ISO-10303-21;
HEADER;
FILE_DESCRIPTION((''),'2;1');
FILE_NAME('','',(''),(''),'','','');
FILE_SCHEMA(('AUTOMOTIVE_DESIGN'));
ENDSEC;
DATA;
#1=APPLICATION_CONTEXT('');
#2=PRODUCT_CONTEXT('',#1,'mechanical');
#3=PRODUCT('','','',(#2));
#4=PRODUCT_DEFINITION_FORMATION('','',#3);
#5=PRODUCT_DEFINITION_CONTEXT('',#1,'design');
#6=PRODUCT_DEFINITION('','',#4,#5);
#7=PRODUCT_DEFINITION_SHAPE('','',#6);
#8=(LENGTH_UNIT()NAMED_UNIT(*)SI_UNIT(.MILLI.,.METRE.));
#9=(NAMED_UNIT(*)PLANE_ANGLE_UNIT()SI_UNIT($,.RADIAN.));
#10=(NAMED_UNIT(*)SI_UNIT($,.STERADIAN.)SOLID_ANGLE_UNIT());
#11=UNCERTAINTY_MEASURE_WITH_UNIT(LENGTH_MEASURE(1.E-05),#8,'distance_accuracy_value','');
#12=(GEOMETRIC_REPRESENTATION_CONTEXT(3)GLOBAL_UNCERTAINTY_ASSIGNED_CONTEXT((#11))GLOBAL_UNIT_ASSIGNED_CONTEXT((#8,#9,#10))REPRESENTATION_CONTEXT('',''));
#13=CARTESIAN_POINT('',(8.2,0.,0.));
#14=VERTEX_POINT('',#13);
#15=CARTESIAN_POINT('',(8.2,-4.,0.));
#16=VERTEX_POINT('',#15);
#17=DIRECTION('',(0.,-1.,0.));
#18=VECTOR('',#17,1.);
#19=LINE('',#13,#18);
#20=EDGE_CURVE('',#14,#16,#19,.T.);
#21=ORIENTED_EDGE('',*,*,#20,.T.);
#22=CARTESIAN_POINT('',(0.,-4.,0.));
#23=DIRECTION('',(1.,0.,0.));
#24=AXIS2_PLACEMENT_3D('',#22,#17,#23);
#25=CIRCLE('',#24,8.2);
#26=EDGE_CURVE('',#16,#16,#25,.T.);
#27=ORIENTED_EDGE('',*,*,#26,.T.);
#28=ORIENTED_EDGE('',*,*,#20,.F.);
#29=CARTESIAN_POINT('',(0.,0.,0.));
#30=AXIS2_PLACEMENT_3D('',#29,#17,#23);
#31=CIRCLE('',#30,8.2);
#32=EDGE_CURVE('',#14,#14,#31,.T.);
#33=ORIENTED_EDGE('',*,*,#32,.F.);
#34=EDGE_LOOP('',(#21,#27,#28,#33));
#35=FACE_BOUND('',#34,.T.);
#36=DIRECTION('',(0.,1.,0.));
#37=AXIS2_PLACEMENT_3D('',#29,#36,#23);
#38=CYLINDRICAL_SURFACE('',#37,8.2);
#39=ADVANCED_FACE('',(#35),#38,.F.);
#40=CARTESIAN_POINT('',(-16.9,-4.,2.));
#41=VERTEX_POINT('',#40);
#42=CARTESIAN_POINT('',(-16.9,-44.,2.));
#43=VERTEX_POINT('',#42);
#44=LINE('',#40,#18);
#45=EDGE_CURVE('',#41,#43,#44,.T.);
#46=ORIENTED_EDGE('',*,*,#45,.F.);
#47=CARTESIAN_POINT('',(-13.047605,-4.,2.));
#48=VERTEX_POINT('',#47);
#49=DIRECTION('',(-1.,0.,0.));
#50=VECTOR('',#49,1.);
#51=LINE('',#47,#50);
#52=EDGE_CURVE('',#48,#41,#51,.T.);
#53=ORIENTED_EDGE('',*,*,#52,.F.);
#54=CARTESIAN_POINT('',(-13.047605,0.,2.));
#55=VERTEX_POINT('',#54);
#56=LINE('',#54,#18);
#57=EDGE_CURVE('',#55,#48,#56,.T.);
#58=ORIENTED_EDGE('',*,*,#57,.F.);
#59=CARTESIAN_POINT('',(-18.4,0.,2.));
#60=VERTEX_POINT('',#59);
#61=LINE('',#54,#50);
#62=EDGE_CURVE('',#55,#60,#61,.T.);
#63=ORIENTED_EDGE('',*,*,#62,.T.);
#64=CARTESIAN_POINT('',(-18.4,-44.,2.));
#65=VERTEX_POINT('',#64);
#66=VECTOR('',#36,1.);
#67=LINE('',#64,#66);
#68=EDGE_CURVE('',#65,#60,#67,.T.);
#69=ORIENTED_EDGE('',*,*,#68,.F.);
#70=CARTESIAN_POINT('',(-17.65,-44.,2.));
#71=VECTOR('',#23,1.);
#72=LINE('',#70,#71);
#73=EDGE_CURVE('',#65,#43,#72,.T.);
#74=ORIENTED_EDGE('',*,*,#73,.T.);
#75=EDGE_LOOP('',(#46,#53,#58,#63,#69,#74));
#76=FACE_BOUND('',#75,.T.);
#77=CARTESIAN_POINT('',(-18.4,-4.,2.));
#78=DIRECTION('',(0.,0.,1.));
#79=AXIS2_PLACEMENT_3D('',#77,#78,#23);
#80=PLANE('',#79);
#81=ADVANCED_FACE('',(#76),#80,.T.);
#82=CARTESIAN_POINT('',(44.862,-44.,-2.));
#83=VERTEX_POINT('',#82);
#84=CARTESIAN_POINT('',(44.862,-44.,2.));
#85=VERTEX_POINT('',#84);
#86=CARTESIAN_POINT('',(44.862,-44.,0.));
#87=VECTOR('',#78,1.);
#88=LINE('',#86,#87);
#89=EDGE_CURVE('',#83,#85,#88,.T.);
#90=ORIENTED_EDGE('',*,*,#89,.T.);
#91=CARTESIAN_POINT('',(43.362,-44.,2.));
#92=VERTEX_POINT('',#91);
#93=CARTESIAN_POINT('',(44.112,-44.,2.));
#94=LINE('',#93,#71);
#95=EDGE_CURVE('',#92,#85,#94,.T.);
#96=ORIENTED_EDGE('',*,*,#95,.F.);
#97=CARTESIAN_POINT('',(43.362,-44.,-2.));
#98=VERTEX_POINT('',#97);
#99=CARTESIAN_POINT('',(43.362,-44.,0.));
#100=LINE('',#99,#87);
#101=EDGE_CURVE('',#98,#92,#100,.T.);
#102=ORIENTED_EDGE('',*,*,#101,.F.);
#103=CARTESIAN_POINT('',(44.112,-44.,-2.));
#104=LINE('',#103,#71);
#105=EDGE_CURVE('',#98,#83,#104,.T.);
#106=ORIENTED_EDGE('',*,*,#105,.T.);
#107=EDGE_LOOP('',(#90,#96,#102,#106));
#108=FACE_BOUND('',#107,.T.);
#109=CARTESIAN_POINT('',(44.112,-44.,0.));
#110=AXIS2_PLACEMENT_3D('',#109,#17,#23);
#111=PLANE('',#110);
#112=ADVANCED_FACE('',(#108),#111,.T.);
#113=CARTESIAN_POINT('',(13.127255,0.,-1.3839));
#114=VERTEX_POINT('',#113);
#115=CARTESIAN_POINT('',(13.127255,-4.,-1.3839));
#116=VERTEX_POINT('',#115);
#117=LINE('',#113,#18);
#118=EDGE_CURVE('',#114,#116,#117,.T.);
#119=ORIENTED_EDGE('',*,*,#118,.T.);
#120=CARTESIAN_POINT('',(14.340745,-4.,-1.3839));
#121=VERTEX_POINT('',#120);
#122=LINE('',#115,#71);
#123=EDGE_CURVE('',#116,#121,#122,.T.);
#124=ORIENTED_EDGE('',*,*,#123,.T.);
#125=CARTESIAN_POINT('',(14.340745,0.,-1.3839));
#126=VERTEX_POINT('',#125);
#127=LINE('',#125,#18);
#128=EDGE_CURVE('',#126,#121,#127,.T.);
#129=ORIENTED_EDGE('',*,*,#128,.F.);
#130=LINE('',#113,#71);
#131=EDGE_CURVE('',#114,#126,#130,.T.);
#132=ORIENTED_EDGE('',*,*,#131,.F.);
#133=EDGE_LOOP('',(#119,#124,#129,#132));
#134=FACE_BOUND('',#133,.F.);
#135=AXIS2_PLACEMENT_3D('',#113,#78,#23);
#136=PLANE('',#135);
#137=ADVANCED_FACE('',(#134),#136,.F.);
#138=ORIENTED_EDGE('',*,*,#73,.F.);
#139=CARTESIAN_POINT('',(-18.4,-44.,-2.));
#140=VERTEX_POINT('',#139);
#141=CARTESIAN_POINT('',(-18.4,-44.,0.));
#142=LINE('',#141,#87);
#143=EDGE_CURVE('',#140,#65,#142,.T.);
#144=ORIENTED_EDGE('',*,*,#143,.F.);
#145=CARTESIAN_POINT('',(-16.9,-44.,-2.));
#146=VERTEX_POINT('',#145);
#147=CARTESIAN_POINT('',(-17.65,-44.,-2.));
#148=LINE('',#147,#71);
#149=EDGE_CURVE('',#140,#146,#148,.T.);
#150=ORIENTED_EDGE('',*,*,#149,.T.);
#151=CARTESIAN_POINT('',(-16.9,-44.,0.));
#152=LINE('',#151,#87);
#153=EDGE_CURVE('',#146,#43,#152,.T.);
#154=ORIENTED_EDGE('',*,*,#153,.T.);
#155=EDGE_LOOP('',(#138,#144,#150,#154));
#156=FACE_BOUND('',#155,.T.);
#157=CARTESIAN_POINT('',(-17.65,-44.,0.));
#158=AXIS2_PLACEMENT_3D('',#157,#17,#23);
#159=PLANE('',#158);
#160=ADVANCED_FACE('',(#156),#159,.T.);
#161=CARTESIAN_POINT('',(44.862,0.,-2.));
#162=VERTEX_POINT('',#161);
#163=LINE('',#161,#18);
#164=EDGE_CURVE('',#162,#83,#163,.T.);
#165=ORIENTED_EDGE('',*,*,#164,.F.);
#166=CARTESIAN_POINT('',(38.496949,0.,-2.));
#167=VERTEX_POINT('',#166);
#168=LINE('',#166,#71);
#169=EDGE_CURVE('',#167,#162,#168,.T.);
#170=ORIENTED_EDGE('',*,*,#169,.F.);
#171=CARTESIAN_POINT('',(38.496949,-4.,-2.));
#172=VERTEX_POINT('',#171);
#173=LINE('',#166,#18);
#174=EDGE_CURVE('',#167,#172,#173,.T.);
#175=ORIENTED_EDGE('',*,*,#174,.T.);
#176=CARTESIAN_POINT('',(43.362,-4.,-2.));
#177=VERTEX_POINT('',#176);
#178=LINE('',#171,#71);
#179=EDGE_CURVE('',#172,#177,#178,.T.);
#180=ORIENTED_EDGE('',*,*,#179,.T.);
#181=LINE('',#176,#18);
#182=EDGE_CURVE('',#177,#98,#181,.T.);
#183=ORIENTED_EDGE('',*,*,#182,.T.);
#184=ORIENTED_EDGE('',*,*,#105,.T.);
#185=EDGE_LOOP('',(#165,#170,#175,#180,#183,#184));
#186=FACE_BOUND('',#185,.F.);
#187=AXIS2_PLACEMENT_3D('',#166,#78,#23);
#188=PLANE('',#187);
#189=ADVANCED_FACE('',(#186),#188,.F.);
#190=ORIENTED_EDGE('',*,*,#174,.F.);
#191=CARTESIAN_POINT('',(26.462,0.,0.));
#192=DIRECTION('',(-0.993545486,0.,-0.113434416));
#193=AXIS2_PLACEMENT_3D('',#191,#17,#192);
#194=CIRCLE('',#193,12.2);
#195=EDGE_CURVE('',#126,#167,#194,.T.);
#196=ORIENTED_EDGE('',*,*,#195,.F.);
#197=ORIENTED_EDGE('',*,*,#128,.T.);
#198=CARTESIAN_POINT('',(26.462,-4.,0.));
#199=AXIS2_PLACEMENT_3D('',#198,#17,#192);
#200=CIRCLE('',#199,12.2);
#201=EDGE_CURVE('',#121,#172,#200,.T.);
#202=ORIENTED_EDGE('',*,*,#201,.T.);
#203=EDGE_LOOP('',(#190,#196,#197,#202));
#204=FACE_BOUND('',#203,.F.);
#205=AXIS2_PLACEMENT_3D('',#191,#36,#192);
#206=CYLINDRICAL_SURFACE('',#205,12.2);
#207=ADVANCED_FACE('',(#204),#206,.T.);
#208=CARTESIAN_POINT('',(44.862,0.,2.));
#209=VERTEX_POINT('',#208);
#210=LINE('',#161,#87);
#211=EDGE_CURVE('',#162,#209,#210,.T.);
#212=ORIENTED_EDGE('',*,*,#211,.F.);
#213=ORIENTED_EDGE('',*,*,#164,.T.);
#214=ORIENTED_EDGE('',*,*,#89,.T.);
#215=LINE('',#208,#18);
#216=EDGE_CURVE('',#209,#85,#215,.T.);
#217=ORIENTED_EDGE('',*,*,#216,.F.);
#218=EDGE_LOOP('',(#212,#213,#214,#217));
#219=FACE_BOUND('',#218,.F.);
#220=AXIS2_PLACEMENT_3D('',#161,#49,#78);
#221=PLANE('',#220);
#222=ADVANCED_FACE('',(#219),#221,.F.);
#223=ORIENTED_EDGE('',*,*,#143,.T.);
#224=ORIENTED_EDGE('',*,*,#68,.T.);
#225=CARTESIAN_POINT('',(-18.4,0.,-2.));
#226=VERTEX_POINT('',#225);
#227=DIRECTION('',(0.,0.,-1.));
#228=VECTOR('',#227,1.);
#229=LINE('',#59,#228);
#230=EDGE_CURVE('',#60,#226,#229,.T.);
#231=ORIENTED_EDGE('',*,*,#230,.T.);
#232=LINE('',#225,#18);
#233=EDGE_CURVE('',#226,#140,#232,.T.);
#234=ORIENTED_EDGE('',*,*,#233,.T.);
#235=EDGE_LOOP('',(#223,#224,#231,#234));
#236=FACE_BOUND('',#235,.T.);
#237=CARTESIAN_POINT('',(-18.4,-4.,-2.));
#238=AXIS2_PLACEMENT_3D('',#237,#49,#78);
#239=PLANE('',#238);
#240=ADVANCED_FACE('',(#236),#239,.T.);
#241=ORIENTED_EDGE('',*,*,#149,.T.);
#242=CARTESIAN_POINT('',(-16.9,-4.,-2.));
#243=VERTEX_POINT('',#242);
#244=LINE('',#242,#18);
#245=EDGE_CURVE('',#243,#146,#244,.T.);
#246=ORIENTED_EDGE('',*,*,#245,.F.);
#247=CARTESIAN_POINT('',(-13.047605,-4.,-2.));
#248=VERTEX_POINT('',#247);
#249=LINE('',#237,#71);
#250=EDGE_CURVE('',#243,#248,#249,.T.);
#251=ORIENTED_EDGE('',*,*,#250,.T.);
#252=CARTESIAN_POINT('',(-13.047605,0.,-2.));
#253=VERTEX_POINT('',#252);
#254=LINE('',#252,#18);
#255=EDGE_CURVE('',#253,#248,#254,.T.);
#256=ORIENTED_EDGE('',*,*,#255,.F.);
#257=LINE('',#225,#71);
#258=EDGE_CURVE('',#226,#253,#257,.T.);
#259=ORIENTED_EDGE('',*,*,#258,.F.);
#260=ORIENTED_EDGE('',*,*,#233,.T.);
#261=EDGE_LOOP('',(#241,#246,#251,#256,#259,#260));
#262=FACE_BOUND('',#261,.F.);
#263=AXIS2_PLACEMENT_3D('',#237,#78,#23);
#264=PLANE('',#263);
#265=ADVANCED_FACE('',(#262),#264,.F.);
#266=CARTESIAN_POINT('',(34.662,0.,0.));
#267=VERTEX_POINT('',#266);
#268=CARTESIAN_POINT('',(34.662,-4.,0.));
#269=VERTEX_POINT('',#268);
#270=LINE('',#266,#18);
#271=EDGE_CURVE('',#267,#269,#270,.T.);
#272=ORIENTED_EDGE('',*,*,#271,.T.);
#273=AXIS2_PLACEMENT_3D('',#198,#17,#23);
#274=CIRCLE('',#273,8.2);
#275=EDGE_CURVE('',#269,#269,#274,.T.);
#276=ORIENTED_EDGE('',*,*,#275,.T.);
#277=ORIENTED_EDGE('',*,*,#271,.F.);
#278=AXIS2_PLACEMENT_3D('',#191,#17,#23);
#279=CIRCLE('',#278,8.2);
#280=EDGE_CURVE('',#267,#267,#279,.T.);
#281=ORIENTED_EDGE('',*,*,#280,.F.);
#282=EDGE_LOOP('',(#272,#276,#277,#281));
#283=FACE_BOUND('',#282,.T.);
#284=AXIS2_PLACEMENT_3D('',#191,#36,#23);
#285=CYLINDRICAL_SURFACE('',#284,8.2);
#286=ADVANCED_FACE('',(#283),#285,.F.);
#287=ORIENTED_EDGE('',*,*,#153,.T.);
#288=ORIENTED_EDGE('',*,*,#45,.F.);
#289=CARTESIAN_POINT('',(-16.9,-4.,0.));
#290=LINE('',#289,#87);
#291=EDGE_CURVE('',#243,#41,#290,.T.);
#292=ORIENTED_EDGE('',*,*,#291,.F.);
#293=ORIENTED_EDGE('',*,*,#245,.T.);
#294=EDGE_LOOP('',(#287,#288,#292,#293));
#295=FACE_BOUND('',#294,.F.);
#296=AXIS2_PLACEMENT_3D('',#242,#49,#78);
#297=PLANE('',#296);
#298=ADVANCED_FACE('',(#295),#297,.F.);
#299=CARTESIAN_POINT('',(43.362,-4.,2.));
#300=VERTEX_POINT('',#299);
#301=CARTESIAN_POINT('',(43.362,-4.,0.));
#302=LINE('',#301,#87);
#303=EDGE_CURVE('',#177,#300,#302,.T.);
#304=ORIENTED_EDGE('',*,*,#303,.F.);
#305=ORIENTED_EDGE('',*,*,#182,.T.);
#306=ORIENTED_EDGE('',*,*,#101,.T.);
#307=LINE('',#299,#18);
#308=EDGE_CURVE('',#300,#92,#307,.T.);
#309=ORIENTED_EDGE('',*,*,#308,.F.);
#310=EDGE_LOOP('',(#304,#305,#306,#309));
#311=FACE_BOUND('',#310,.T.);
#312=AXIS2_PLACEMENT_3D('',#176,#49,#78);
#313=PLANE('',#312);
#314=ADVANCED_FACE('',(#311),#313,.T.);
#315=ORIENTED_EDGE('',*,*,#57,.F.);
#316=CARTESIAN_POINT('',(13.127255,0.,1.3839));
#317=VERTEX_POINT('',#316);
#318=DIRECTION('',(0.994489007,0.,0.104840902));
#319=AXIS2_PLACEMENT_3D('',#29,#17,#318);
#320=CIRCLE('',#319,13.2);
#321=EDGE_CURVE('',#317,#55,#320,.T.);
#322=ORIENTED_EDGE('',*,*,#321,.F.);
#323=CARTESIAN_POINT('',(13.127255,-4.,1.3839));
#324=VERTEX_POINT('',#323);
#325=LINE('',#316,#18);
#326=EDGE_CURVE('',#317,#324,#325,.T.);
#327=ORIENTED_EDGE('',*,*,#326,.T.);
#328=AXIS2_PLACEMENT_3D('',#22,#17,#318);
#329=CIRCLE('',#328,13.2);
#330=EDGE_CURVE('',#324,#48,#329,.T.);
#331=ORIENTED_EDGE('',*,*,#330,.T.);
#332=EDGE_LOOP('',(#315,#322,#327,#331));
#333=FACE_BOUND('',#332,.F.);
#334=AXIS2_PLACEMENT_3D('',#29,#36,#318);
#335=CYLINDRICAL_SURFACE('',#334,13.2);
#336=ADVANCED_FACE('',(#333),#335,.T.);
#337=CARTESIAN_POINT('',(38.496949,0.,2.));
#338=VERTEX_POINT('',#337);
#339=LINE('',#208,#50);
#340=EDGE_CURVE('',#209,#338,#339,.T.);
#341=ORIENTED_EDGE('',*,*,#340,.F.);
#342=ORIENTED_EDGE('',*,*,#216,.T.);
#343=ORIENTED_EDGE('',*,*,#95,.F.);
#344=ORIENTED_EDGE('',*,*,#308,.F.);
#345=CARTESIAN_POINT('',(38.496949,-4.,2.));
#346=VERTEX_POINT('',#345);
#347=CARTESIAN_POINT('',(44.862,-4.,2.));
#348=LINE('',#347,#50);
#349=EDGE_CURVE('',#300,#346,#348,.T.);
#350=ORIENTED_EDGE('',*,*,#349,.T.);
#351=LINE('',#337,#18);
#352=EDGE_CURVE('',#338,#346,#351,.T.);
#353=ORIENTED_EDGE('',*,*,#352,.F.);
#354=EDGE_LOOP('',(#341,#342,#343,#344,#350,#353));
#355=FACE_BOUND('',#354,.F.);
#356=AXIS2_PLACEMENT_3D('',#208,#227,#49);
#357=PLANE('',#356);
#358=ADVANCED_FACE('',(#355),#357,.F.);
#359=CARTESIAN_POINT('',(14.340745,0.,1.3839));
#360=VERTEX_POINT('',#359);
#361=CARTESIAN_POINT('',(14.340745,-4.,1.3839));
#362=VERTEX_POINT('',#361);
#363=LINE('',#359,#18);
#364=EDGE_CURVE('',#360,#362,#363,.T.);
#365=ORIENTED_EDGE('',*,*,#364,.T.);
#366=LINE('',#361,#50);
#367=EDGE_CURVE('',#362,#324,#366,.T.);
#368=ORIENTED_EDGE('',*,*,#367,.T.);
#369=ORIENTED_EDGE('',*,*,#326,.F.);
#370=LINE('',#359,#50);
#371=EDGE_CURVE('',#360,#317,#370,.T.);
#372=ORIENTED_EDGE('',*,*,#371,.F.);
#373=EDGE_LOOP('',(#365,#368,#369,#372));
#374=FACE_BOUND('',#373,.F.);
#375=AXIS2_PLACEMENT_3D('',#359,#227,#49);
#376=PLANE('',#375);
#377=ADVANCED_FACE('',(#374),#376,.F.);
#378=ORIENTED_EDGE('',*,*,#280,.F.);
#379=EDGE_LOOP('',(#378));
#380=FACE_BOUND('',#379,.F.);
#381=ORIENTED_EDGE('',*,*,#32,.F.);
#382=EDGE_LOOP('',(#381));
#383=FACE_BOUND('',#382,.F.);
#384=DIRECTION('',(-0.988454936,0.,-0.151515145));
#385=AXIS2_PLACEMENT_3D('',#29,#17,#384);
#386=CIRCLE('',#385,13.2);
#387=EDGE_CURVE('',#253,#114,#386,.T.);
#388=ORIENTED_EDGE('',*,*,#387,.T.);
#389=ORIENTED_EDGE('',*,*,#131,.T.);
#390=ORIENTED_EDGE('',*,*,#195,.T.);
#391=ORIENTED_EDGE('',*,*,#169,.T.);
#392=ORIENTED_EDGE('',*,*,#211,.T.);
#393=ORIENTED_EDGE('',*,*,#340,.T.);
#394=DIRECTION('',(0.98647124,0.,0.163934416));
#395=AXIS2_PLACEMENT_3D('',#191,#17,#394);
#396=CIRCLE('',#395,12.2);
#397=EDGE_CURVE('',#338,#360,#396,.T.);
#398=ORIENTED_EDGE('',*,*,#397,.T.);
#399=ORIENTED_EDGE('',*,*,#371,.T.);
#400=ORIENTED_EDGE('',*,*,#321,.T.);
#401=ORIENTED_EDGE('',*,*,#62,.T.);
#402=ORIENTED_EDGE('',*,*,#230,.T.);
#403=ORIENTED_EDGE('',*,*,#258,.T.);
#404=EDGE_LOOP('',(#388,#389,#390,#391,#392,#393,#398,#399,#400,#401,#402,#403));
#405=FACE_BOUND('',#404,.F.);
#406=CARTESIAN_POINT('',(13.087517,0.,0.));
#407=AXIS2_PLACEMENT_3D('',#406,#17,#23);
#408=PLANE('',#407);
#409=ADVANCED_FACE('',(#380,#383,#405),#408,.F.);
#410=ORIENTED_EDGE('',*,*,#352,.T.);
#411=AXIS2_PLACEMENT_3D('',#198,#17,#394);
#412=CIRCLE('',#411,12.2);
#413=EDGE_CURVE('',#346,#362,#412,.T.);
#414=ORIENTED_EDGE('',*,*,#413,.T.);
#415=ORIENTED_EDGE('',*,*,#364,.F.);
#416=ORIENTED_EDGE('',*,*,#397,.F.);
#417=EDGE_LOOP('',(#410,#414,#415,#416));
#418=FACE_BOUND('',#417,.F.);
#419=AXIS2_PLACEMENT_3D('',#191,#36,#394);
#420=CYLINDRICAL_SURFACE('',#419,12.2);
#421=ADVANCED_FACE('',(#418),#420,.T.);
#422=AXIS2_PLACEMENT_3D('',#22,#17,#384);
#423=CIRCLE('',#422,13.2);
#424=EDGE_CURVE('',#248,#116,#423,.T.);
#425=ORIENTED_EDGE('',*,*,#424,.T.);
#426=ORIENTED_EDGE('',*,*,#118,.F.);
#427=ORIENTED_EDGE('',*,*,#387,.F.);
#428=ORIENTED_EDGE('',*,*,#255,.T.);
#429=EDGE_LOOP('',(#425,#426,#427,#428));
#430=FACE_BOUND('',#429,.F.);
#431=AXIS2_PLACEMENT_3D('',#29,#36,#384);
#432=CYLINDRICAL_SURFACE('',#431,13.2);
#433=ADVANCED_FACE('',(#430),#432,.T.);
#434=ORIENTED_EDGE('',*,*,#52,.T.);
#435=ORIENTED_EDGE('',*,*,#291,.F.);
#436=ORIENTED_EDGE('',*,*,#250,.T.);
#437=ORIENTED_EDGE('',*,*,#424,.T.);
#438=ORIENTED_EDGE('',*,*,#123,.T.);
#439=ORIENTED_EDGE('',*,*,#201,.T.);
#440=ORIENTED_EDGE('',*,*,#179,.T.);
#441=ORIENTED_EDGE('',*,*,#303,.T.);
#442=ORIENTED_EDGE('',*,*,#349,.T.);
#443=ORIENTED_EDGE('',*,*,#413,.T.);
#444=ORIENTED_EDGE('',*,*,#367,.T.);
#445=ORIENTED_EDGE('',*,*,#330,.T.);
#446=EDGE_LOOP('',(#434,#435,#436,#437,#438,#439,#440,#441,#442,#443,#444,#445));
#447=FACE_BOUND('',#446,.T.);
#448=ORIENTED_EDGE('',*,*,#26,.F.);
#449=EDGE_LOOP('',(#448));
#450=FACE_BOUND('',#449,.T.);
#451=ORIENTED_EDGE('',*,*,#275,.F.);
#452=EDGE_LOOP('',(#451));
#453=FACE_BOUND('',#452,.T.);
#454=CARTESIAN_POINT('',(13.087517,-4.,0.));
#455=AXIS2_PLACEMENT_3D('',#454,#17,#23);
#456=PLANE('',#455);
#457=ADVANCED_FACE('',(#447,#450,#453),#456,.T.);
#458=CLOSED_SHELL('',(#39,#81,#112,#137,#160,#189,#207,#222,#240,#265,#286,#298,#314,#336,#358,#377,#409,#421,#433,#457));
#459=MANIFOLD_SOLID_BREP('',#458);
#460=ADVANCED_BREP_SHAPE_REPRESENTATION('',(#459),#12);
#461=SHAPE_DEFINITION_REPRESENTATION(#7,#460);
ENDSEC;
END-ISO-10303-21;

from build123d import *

# Parameters (mm, degrees)
F0_R     = 8.2
F1_DEPTH = 4
F2_W     = 1.5
F2_H     = 4
F3_DEPTH = 40


with BuildPart() as f1:
    # F0 (on Front) → F1 (new body)
    with BuildSketch(Plane.XZ):
        with BuildLine():
            Line((-18.4, -2), (-13.047605, -2))
            ThreePointArc((-13.047605, -2), (0.310613, -13.196345), (13.127255, -1.3839))
            Line((13.127255, -1.3839), (14.340745, -1.3839))
            ThreePointArc((14.340745, -1.3839), (26.150942, -12.196034), (38.496949, -2))
            Line((38.496949, -2), (44.862, -2))
            Line((44.862, -2), (44.862, 2))
            Line((44.862, 2), (38.496949, 2))
            ThreePointArc((38.496949, 2), (26.150942, 12.196034), (14.340745, 1.3839))
            Line((14.340745, 1.3839), (13.127255, 1.3839))
            ThreePointArc((13.127255, 1.3839), (0.310613, 13.196345), (-13.047605, 2))
            Line((-13.047605, 2), (-18.4, 2))
            Line((-18.4, 2), (-18.4, -2))
        make_face()
        Circle(F0_R, mode=Mode.SUBTRACT)
        with Locations((26.462, 0)):
            Circle(F0_R, mode=Mode.SUBTRACT)
    extrude(amount=F1_DEPTH)

    # F2 (on face) → F3 (join)
    with BuildSketch(Plane.XZ.offset(4)):
        with Locations((-17.65, 0)):
            Rectangle(F2_W, F2_H)
        with Locations((44.112, 0)):
            Rectangle(F2_W, F2_H)
    extrude(amount=F3_DEPTH)


solid = f1.part
